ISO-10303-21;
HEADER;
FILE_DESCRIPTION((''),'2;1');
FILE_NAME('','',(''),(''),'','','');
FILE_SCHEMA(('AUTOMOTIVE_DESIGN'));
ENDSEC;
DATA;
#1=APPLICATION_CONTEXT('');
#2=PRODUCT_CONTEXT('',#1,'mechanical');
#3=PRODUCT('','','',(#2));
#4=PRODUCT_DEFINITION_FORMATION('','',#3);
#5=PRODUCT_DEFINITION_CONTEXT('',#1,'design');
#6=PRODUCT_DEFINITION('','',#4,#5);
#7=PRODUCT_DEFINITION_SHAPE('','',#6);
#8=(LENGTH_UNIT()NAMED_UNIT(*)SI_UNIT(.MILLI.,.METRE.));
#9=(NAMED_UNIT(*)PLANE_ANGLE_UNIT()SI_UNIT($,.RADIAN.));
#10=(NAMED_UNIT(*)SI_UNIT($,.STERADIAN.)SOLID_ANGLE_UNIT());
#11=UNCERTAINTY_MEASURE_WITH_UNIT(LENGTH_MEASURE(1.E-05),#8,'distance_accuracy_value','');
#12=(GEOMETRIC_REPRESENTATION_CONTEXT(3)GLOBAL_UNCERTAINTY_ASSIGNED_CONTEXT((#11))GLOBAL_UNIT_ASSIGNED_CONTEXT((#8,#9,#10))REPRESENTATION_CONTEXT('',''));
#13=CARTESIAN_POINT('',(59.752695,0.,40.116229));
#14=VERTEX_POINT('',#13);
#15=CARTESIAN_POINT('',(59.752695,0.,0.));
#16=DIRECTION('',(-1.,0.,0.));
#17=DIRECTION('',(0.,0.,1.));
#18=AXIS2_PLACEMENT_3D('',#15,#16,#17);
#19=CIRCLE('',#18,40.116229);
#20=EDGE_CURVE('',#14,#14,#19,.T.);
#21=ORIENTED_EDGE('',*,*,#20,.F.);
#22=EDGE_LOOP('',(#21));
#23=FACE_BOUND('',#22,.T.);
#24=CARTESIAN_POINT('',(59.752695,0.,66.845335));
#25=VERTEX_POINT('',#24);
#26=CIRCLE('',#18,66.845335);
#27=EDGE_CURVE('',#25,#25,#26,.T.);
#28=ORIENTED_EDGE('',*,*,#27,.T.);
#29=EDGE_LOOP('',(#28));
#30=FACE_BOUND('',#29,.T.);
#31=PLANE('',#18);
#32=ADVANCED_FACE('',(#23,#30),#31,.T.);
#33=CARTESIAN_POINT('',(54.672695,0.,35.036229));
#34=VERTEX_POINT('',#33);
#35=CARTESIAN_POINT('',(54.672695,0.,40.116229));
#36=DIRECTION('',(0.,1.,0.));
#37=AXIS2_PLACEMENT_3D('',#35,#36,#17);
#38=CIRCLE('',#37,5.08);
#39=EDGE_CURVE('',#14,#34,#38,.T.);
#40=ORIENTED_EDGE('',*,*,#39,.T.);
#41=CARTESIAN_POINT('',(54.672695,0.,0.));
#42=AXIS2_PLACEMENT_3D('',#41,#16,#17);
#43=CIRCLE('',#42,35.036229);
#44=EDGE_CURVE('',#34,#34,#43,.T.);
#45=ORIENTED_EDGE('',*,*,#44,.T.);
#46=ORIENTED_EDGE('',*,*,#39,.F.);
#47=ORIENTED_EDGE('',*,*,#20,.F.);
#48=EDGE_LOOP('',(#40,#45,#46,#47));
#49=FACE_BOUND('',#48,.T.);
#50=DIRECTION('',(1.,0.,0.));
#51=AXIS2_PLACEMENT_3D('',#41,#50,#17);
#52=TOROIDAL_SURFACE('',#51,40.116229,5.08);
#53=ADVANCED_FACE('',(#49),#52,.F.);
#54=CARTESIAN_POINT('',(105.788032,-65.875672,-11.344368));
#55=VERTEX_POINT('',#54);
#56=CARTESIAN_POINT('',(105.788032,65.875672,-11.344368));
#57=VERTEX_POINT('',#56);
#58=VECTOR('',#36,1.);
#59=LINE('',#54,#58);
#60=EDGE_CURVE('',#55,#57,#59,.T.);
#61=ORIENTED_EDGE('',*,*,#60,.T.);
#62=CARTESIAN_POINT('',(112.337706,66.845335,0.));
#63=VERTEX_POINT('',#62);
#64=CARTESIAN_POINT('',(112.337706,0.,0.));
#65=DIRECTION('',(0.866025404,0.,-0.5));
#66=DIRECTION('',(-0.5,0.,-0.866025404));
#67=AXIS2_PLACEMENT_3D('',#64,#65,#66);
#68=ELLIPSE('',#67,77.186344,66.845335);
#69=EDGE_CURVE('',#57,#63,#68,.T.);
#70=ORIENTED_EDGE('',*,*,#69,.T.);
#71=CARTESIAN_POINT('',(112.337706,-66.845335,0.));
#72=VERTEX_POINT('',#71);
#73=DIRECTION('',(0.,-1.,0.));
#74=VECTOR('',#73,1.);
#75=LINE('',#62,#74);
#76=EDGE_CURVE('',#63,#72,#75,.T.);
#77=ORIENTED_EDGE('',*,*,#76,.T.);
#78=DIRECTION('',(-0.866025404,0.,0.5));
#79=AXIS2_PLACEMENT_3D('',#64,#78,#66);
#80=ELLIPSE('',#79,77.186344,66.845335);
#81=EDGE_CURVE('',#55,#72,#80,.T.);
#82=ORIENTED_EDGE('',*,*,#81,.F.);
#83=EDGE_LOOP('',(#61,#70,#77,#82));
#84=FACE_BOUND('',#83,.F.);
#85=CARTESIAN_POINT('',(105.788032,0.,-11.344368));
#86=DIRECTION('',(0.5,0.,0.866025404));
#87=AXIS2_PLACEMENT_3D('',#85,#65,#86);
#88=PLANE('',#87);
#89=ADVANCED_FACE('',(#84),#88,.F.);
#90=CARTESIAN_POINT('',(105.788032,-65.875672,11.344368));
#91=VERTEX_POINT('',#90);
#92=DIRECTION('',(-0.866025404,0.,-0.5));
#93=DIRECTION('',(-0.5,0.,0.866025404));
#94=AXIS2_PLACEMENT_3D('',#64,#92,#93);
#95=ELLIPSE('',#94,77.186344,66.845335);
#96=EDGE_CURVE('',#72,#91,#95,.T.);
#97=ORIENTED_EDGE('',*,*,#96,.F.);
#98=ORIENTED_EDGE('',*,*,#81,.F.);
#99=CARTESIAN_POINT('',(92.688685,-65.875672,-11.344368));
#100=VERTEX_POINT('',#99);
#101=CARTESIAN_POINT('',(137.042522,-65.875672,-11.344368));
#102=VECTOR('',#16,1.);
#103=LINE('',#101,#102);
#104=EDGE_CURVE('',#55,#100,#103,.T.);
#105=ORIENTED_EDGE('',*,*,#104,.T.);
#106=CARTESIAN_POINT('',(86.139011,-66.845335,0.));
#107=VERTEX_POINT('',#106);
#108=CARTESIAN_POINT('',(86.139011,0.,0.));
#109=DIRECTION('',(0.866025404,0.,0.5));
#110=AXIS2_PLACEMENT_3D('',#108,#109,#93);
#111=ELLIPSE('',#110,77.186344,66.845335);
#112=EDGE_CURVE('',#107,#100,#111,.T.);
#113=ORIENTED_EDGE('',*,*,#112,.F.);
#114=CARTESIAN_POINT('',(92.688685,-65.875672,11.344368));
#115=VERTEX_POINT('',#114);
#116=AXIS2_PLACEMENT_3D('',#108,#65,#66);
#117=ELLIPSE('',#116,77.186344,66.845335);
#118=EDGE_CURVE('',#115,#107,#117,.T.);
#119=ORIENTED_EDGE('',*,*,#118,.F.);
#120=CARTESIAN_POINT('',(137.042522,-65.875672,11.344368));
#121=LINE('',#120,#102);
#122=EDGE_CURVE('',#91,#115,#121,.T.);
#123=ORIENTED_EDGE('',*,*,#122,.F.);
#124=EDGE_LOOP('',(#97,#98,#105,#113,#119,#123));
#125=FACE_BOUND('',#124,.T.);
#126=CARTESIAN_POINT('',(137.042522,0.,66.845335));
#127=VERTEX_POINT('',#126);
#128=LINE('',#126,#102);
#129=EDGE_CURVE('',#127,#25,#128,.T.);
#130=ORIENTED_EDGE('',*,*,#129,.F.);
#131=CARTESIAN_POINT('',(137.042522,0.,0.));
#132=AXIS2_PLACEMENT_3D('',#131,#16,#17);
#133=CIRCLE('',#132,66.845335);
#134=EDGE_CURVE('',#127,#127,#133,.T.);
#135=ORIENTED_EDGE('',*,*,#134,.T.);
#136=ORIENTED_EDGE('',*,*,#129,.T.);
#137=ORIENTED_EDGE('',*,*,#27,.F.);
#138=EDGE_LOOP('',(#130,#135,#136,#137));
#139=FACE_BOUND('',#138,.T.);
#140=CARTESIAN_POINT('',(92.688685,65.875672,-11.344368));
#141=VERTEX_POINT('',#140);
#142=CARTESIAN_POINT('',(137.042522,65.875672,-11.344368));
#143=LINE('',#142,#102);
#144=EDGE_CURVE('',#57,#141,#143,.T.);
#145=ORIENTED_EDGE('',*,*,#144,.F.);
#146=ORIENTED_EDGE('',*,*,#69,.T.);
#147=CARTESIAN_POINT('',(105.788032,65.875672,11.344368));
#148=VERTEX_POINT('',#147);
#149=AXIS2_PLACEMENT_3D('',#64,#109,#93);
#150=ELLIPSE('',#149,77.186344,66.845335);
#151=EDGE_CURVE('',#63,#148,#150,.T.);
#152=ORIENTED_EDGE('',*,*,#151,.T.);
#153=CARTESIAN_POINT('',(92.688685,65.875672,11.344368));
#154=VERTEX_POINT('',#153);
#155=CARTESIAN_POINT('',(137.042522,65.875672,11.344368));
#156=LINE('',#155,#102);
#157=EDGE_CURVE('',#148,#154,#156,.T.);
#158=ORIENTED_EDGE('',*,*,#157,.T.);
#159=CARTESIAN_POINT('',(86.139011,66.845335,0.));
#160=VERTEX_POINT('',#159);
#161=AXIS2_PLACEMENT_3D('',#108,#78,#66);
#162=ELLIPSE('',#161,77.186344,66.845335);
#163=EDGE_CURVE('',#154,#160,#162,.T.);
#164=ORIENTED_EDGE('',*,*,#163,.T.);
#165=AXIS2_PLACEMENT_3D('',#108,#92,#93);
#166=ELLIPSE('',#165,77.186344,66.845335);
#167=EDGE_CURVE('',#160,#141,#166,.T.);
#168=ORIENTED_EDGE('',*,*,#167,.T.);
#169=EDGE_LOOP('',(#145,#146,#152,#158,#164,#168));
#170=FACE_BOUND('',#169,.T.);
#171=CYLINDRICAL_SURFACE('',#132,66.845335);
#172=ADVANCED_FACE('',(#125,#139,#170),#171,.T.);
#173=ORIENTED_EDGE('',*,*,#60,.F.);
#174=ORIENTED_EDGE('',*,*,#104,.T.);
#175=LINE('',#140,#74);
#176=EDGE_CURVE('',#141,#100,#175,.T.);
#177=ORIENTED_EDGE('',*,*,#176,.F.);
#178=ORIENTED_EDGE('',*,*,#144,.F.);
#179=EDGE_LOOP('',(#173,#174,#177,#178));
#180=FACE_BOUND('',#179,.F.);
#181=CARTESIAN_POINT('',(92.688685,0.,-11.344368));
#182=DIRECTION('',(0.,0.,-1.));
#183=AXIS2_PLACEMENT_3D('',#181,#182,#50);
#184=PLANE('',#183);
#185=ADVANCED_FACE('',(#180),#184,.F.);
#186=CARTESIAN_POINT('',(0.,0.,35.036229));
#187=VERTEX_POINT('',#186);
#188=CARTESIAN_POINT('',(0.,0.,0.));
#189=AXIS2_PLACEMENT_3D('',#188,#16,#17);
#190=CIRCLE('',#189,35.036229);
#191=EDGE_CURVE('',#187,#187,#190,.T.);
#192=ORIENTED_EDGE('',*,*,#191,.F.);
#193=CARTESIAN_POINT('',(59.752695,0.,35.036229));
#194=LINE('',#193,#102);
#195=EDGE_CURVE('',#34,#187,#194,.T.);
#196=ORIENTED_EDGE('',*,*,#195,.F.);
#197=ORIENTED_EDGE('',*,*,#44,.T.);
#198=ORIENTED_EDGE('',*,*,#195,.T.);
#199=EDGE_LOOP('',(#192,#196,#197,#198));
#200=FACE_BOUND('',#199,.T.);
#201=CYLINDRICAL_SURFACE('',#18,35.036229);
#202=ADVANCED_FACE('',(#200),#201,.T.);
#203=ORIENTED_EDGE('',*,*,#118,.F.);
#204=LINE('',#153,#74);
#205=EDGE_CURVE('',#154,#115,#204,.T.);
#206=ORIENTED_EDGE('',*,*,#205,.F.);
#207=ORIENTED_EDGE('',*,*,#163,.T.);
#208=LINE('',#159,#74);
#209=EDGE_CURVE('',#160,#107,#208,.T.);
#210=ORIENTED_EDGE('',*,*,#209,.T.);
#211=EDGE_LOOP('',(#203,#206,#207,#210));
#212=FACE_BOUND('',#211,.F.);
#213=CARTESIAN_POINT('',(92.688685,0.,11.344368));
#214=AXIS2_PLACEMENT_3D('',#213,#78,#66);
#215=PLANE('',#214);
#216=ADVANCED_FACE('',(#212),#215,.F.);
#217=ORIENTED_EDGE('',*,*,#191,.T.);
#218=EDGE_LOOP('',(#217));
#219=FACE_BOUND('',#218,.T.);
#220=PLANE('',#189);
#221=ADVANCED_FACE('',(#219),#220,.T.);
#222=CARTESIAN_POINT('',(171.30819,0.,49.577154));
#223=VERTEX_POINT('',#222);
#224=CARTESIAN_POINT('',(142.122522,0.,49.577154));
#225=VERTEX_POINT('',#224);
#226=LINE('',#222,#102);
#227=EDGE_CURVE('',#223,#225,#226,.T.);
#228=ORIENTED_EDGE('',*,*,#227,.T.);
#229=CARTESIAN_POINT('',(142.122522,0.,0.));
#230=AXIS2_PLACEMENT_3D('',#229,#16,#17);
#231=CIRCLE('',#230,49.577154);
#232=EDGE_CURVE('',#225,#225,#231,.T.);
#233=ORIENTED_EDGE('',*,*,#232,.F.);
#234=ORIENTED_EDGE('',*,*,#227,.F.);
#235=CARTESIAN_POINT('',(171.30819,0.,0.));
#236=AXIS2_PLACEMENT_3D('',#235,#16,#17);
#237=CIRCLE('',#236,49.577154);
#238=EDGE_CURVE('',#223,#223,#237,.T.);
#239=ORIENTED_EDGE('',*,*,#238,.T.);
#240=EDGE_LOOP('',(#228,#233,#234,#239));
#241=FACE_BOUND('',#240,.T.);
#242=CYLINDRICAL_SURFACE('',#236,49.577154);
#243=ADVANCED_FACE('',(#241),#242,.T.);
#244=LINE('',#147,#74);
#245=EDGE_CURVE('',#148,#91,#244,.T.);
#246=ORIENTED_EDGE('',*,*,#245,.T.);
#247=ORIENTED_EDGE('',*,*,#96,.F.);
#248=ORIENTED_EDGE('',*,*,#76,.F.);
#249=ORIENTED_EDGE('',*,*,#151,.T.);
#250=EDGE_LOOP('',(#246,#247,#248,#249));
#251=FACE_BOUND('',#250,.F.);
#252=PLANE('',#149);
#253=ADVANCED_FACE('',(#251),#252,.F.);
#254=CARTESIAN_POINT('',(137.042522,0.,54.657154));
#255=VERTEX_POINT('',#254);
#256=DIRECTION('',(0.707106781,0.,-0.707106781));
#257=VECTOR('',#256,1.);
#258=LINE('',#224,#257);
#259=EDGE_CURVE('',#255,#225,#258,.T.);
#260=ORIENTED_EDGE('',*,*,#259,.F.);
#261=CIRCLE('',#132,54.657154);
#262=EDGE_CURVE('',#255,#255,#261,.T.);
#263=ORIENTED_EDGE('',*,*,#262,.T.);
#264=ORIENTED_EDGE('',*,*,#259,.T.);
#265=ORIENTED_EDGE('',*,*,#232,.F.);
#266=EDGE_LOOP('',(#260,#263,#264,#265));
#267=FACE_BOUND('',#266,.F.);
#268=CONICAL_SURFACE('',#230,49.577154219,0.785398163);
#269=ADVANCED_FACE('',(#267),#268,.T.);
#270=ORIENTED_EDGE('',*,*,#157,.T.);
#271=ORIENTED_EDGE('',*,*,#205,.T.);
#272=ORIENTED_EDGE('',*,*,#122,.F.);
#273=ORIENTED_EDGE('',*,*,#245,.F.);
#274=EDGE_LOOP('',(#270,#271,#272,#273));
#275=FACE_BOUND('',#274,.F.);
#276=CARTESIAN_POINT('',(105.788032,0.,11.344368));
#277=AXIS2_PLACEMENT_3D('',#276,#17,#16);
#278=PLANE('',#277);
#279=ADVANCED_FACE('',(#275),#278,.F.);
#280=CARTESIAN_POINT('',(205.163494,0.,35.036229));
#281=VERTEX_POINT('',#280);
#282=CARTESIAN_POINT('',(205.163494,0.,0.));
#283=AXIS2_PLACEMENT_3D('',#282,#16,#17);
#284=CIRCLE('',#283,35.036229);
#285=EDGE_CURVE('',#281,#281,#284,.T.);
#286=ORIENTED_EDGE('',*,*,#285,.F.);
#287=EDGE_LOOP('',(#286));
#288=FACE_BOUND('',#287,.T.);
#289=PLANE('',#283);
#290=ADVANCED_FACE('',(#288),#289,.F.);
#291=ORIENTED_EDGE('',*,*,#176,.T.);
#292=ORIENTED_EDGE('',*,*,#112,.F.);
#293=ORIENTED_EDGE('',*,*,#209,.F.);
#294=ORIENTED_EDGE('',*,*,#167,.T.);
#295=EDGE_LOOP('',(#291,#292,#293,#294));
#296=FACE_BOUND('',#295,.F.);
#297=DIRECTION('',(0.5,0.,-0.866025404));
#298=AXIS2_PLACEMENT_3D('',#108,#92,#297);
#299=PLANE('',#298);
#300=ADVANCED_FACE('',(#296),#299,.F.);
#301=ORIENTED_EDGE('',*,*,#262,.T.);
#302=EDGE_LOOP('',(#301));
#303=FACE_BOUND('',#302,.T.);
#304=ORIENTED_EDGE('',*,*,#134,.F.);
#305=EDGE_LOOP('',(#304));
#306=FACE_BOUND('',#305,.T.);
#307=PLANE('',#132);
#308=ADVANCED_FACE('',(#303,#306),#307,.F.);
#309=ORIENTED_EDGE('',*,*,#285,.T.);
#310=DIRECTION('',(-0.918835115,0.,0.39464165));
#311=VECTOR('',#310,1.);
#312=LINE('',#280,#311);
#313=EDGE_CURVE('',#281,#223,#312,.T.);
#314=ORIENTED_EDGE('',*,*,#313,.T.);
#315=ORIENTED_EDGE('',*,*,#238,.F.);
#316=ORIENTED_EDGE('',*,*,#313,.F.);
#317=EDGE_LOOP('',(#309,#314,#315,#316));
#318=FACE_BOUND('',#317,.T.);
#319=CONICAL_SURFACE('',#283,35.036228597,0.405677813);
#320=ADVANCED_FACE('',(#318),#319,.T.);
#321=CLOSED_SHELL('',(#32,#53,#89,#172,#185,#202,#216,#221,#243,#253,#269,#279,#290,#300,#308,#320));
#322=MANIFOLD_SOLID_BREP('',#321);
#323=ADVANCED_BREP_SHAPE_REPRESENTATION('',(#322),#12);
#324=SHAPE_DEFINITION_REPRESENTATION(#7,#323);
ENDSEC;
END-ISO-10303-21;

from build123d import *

# Parameters (mm, degrees)
F2_R          = 5.08
F3_SIZE       = 5.08
F5_DEPTH      = 67.8453350663
F5_DEPTH_BACK = 67.8453350663


with BuildPart() as f1:
    # F0 (on Front) → F1 (revolve)
    with BuildSketch(Plane.XZ):
        Polygon((0, 35.0362285972), (0, 0), (205.1634937525, 0), (205.1634937525, 35.0362285972), (171.3081896305, 49.5771542192), (137.0425224304, 49.5771542192), (137.0425224304, 66.8453350663), (59.7526952624, 66.8453350663), (59.7526952624, 35.0362285972), align=None)
    revolve(axis=Axis((102.5817468762, 0, 0), (-1, 0, 0)))

    # F2
    f2_edges = [f1.edges().sort_by_distance(p)[0] for p in [
        (59.752695, 0, -35.036229),
    ]]
    fillet(f2_edges, radius=F2_R)

    # F3
    f3_edges = [f1.edges().sort_by_distance(p)[0] for p in [
        (137.042522, 0, -49.577154),
    ]]
    chamfer(f3_edges, length=F3_SIZE)

    # F4 (on Front) → F5 (cut, two sides)
    with BuildSketch(Plane.XZ) as f5_sk:
        Polygon((92.6886847283, -11.3443676382), (105.7880321477, -11.3443676382), (112.3377058575, 0), (105.7880321477, 11.3443676382), (92.6886847283, 11.3443676382), (86.1390110186, 0), align=None)
    extrude(amount=F5_DEPTH, mode=Mode.SUBTRACT)
    extrude(f5_sk.sketch, amount=-F5_DEPTH_BACK, mode=Mode.SUBTRACT)


solid = f1.part
